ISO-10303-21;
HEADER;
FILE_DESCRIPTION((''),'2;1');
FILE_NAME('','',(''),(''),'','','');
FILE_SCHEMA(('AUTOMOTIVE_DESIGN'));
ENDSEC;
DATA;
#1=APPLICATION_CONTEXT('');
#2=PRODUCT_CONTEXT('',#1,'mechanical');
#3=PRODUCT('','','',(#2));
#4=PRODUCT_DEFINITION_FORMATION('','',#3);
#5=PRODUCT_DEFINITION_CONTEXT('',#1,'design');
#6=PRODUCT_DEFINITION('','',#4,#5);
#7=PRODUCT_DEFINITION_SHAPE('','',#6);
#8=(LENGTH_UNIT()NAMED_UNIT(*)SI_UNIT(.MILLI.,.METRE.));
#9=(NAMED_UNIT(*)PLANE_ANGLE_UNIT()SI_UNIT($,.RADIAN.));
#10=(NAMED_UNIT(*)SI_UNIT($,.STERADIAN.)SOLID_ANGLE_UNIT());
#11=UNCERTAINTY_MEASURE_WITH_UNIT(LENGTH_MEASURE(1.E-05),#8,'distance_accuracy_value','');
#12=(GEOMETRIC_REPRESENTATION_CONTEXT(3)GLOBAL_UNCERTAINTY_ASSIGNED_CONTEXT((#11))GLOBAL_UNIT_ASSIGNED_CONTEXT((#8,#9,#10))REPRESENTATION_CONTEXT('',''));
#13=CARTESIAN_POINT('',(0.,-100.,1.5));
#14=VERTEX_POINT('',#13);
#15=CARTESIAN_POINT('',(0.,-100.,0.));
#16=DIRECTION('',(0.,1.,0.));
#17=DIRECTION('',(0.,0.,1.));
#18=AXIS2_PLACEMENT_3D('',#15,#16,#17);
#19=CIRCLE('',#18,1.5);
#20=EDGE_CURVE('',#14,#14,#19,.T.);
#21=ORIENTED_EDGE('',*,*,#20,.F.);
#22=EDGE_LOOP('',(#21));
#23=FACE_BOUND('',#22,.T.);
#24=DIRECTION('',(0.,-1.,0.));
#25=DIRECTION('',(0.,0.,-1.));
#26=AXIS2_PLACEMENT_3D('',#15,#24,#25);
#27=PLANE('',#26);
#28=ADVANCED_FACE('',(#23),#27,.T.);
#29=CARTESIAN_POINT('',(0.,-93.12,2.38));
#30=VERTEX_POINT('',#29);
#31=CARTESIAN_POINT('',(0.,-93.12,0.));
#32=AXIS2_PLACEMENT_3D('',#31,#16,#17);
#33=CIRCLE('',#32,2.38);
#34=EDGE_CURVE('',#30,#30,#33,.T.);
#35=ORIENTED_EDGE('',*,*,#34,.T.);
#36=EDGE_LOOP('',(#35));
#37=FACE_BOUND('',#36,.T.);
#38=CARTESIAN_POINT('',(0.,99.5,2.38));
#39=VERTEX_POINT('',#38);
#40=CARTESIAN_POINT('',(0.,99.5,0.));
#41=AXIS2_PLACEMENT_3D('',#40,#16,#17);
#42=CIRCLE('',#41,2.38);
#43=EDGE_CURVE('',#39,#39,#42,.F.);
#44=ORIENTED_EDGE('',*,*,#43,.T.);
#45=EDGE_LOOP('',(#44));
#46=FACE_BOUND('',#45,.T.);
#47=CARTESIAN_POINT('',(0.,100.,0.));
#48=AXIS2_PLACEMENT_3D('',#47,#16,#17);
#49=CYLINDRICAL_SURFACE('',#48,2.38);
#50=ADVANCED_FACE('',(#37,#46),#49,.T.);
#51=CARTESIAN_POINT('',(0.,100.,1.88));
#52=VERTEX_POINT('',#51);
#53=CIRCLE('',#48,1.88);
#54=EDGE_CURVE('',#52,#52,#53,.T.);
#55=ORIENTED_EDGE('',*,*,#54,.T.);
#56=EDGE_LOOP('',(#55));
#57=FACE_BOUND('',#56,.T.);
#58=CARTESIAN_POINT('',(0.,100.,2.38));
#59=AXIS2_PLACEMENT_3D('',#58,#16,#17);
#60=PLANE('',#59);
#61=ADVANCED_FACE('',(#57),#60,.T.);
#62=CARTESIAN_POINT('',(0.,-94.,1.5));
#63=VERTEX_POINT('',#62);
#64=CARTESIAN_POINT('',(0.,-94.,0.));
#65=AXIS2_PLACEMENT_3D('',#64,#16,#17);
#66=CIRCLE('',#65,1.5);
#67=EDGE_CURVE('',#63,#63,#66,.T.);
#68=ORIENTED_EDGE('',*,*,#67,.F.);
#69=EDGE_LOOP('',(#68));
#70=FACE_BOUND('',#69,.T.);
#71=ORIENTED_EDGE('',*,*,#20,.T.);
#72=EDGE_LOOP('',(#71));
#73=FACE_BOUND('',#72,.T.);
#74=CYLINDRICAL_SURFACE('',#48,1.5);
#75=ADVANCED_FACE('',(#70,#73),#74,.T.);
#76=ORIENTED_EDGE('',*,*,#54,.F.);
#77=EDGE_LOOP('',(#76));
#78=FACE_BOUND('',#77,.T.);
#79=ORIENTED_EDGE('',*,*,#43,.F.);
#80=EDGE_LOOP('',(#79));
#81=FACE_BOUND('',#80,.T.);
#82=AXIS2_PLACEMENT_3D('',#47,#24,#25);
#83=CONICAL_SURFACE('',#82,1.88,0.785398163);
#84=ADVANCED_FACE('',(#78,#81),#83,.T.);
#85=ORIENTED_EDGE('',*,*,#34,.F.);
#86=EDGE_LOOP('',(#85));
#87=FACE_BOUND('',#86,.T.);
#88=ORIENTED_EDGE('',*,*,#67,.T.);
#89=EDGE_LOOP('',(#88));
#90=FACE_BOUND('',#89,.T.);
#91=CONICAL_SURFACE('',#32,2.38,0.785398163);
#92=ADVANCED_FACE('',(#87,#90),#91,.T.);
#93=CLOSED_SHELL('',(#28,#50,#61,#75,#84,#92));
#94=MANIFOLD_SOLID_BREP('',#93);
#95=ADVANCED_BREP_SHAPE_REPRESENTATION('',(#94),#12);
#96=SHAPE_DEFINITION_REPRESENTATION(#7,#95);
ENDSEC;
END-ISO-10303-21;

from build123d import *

# Parameters (mm, degrees)
CHAMFER1_SIZE = 0.5


with BuildPart() as part:
    # Sketch1 → Revolve1 (revolve)
    with BuildSketch(Plane(origin=(0, 0, 0), x_dir=(0, 0, -1), z_dir=(1, 0, 0))):
        Polygon((0, 100), (0, -100), (-1.5, -100), (-1.5, -94), (-2.38, -93.12), (-2.38, 100), align=None)
    revolve(axis=Axis((0, 100, 0), (0, -1, 0)))

    # Chamfer1
    chamfer1_edges = [part.edges().sort_by_distance(p)[0] for p in [
        (0, 100, -2.38),
    ]]
    chamfer(chamfer1_edges, length=CHAMFER1_SIZE)


solid = part.part
